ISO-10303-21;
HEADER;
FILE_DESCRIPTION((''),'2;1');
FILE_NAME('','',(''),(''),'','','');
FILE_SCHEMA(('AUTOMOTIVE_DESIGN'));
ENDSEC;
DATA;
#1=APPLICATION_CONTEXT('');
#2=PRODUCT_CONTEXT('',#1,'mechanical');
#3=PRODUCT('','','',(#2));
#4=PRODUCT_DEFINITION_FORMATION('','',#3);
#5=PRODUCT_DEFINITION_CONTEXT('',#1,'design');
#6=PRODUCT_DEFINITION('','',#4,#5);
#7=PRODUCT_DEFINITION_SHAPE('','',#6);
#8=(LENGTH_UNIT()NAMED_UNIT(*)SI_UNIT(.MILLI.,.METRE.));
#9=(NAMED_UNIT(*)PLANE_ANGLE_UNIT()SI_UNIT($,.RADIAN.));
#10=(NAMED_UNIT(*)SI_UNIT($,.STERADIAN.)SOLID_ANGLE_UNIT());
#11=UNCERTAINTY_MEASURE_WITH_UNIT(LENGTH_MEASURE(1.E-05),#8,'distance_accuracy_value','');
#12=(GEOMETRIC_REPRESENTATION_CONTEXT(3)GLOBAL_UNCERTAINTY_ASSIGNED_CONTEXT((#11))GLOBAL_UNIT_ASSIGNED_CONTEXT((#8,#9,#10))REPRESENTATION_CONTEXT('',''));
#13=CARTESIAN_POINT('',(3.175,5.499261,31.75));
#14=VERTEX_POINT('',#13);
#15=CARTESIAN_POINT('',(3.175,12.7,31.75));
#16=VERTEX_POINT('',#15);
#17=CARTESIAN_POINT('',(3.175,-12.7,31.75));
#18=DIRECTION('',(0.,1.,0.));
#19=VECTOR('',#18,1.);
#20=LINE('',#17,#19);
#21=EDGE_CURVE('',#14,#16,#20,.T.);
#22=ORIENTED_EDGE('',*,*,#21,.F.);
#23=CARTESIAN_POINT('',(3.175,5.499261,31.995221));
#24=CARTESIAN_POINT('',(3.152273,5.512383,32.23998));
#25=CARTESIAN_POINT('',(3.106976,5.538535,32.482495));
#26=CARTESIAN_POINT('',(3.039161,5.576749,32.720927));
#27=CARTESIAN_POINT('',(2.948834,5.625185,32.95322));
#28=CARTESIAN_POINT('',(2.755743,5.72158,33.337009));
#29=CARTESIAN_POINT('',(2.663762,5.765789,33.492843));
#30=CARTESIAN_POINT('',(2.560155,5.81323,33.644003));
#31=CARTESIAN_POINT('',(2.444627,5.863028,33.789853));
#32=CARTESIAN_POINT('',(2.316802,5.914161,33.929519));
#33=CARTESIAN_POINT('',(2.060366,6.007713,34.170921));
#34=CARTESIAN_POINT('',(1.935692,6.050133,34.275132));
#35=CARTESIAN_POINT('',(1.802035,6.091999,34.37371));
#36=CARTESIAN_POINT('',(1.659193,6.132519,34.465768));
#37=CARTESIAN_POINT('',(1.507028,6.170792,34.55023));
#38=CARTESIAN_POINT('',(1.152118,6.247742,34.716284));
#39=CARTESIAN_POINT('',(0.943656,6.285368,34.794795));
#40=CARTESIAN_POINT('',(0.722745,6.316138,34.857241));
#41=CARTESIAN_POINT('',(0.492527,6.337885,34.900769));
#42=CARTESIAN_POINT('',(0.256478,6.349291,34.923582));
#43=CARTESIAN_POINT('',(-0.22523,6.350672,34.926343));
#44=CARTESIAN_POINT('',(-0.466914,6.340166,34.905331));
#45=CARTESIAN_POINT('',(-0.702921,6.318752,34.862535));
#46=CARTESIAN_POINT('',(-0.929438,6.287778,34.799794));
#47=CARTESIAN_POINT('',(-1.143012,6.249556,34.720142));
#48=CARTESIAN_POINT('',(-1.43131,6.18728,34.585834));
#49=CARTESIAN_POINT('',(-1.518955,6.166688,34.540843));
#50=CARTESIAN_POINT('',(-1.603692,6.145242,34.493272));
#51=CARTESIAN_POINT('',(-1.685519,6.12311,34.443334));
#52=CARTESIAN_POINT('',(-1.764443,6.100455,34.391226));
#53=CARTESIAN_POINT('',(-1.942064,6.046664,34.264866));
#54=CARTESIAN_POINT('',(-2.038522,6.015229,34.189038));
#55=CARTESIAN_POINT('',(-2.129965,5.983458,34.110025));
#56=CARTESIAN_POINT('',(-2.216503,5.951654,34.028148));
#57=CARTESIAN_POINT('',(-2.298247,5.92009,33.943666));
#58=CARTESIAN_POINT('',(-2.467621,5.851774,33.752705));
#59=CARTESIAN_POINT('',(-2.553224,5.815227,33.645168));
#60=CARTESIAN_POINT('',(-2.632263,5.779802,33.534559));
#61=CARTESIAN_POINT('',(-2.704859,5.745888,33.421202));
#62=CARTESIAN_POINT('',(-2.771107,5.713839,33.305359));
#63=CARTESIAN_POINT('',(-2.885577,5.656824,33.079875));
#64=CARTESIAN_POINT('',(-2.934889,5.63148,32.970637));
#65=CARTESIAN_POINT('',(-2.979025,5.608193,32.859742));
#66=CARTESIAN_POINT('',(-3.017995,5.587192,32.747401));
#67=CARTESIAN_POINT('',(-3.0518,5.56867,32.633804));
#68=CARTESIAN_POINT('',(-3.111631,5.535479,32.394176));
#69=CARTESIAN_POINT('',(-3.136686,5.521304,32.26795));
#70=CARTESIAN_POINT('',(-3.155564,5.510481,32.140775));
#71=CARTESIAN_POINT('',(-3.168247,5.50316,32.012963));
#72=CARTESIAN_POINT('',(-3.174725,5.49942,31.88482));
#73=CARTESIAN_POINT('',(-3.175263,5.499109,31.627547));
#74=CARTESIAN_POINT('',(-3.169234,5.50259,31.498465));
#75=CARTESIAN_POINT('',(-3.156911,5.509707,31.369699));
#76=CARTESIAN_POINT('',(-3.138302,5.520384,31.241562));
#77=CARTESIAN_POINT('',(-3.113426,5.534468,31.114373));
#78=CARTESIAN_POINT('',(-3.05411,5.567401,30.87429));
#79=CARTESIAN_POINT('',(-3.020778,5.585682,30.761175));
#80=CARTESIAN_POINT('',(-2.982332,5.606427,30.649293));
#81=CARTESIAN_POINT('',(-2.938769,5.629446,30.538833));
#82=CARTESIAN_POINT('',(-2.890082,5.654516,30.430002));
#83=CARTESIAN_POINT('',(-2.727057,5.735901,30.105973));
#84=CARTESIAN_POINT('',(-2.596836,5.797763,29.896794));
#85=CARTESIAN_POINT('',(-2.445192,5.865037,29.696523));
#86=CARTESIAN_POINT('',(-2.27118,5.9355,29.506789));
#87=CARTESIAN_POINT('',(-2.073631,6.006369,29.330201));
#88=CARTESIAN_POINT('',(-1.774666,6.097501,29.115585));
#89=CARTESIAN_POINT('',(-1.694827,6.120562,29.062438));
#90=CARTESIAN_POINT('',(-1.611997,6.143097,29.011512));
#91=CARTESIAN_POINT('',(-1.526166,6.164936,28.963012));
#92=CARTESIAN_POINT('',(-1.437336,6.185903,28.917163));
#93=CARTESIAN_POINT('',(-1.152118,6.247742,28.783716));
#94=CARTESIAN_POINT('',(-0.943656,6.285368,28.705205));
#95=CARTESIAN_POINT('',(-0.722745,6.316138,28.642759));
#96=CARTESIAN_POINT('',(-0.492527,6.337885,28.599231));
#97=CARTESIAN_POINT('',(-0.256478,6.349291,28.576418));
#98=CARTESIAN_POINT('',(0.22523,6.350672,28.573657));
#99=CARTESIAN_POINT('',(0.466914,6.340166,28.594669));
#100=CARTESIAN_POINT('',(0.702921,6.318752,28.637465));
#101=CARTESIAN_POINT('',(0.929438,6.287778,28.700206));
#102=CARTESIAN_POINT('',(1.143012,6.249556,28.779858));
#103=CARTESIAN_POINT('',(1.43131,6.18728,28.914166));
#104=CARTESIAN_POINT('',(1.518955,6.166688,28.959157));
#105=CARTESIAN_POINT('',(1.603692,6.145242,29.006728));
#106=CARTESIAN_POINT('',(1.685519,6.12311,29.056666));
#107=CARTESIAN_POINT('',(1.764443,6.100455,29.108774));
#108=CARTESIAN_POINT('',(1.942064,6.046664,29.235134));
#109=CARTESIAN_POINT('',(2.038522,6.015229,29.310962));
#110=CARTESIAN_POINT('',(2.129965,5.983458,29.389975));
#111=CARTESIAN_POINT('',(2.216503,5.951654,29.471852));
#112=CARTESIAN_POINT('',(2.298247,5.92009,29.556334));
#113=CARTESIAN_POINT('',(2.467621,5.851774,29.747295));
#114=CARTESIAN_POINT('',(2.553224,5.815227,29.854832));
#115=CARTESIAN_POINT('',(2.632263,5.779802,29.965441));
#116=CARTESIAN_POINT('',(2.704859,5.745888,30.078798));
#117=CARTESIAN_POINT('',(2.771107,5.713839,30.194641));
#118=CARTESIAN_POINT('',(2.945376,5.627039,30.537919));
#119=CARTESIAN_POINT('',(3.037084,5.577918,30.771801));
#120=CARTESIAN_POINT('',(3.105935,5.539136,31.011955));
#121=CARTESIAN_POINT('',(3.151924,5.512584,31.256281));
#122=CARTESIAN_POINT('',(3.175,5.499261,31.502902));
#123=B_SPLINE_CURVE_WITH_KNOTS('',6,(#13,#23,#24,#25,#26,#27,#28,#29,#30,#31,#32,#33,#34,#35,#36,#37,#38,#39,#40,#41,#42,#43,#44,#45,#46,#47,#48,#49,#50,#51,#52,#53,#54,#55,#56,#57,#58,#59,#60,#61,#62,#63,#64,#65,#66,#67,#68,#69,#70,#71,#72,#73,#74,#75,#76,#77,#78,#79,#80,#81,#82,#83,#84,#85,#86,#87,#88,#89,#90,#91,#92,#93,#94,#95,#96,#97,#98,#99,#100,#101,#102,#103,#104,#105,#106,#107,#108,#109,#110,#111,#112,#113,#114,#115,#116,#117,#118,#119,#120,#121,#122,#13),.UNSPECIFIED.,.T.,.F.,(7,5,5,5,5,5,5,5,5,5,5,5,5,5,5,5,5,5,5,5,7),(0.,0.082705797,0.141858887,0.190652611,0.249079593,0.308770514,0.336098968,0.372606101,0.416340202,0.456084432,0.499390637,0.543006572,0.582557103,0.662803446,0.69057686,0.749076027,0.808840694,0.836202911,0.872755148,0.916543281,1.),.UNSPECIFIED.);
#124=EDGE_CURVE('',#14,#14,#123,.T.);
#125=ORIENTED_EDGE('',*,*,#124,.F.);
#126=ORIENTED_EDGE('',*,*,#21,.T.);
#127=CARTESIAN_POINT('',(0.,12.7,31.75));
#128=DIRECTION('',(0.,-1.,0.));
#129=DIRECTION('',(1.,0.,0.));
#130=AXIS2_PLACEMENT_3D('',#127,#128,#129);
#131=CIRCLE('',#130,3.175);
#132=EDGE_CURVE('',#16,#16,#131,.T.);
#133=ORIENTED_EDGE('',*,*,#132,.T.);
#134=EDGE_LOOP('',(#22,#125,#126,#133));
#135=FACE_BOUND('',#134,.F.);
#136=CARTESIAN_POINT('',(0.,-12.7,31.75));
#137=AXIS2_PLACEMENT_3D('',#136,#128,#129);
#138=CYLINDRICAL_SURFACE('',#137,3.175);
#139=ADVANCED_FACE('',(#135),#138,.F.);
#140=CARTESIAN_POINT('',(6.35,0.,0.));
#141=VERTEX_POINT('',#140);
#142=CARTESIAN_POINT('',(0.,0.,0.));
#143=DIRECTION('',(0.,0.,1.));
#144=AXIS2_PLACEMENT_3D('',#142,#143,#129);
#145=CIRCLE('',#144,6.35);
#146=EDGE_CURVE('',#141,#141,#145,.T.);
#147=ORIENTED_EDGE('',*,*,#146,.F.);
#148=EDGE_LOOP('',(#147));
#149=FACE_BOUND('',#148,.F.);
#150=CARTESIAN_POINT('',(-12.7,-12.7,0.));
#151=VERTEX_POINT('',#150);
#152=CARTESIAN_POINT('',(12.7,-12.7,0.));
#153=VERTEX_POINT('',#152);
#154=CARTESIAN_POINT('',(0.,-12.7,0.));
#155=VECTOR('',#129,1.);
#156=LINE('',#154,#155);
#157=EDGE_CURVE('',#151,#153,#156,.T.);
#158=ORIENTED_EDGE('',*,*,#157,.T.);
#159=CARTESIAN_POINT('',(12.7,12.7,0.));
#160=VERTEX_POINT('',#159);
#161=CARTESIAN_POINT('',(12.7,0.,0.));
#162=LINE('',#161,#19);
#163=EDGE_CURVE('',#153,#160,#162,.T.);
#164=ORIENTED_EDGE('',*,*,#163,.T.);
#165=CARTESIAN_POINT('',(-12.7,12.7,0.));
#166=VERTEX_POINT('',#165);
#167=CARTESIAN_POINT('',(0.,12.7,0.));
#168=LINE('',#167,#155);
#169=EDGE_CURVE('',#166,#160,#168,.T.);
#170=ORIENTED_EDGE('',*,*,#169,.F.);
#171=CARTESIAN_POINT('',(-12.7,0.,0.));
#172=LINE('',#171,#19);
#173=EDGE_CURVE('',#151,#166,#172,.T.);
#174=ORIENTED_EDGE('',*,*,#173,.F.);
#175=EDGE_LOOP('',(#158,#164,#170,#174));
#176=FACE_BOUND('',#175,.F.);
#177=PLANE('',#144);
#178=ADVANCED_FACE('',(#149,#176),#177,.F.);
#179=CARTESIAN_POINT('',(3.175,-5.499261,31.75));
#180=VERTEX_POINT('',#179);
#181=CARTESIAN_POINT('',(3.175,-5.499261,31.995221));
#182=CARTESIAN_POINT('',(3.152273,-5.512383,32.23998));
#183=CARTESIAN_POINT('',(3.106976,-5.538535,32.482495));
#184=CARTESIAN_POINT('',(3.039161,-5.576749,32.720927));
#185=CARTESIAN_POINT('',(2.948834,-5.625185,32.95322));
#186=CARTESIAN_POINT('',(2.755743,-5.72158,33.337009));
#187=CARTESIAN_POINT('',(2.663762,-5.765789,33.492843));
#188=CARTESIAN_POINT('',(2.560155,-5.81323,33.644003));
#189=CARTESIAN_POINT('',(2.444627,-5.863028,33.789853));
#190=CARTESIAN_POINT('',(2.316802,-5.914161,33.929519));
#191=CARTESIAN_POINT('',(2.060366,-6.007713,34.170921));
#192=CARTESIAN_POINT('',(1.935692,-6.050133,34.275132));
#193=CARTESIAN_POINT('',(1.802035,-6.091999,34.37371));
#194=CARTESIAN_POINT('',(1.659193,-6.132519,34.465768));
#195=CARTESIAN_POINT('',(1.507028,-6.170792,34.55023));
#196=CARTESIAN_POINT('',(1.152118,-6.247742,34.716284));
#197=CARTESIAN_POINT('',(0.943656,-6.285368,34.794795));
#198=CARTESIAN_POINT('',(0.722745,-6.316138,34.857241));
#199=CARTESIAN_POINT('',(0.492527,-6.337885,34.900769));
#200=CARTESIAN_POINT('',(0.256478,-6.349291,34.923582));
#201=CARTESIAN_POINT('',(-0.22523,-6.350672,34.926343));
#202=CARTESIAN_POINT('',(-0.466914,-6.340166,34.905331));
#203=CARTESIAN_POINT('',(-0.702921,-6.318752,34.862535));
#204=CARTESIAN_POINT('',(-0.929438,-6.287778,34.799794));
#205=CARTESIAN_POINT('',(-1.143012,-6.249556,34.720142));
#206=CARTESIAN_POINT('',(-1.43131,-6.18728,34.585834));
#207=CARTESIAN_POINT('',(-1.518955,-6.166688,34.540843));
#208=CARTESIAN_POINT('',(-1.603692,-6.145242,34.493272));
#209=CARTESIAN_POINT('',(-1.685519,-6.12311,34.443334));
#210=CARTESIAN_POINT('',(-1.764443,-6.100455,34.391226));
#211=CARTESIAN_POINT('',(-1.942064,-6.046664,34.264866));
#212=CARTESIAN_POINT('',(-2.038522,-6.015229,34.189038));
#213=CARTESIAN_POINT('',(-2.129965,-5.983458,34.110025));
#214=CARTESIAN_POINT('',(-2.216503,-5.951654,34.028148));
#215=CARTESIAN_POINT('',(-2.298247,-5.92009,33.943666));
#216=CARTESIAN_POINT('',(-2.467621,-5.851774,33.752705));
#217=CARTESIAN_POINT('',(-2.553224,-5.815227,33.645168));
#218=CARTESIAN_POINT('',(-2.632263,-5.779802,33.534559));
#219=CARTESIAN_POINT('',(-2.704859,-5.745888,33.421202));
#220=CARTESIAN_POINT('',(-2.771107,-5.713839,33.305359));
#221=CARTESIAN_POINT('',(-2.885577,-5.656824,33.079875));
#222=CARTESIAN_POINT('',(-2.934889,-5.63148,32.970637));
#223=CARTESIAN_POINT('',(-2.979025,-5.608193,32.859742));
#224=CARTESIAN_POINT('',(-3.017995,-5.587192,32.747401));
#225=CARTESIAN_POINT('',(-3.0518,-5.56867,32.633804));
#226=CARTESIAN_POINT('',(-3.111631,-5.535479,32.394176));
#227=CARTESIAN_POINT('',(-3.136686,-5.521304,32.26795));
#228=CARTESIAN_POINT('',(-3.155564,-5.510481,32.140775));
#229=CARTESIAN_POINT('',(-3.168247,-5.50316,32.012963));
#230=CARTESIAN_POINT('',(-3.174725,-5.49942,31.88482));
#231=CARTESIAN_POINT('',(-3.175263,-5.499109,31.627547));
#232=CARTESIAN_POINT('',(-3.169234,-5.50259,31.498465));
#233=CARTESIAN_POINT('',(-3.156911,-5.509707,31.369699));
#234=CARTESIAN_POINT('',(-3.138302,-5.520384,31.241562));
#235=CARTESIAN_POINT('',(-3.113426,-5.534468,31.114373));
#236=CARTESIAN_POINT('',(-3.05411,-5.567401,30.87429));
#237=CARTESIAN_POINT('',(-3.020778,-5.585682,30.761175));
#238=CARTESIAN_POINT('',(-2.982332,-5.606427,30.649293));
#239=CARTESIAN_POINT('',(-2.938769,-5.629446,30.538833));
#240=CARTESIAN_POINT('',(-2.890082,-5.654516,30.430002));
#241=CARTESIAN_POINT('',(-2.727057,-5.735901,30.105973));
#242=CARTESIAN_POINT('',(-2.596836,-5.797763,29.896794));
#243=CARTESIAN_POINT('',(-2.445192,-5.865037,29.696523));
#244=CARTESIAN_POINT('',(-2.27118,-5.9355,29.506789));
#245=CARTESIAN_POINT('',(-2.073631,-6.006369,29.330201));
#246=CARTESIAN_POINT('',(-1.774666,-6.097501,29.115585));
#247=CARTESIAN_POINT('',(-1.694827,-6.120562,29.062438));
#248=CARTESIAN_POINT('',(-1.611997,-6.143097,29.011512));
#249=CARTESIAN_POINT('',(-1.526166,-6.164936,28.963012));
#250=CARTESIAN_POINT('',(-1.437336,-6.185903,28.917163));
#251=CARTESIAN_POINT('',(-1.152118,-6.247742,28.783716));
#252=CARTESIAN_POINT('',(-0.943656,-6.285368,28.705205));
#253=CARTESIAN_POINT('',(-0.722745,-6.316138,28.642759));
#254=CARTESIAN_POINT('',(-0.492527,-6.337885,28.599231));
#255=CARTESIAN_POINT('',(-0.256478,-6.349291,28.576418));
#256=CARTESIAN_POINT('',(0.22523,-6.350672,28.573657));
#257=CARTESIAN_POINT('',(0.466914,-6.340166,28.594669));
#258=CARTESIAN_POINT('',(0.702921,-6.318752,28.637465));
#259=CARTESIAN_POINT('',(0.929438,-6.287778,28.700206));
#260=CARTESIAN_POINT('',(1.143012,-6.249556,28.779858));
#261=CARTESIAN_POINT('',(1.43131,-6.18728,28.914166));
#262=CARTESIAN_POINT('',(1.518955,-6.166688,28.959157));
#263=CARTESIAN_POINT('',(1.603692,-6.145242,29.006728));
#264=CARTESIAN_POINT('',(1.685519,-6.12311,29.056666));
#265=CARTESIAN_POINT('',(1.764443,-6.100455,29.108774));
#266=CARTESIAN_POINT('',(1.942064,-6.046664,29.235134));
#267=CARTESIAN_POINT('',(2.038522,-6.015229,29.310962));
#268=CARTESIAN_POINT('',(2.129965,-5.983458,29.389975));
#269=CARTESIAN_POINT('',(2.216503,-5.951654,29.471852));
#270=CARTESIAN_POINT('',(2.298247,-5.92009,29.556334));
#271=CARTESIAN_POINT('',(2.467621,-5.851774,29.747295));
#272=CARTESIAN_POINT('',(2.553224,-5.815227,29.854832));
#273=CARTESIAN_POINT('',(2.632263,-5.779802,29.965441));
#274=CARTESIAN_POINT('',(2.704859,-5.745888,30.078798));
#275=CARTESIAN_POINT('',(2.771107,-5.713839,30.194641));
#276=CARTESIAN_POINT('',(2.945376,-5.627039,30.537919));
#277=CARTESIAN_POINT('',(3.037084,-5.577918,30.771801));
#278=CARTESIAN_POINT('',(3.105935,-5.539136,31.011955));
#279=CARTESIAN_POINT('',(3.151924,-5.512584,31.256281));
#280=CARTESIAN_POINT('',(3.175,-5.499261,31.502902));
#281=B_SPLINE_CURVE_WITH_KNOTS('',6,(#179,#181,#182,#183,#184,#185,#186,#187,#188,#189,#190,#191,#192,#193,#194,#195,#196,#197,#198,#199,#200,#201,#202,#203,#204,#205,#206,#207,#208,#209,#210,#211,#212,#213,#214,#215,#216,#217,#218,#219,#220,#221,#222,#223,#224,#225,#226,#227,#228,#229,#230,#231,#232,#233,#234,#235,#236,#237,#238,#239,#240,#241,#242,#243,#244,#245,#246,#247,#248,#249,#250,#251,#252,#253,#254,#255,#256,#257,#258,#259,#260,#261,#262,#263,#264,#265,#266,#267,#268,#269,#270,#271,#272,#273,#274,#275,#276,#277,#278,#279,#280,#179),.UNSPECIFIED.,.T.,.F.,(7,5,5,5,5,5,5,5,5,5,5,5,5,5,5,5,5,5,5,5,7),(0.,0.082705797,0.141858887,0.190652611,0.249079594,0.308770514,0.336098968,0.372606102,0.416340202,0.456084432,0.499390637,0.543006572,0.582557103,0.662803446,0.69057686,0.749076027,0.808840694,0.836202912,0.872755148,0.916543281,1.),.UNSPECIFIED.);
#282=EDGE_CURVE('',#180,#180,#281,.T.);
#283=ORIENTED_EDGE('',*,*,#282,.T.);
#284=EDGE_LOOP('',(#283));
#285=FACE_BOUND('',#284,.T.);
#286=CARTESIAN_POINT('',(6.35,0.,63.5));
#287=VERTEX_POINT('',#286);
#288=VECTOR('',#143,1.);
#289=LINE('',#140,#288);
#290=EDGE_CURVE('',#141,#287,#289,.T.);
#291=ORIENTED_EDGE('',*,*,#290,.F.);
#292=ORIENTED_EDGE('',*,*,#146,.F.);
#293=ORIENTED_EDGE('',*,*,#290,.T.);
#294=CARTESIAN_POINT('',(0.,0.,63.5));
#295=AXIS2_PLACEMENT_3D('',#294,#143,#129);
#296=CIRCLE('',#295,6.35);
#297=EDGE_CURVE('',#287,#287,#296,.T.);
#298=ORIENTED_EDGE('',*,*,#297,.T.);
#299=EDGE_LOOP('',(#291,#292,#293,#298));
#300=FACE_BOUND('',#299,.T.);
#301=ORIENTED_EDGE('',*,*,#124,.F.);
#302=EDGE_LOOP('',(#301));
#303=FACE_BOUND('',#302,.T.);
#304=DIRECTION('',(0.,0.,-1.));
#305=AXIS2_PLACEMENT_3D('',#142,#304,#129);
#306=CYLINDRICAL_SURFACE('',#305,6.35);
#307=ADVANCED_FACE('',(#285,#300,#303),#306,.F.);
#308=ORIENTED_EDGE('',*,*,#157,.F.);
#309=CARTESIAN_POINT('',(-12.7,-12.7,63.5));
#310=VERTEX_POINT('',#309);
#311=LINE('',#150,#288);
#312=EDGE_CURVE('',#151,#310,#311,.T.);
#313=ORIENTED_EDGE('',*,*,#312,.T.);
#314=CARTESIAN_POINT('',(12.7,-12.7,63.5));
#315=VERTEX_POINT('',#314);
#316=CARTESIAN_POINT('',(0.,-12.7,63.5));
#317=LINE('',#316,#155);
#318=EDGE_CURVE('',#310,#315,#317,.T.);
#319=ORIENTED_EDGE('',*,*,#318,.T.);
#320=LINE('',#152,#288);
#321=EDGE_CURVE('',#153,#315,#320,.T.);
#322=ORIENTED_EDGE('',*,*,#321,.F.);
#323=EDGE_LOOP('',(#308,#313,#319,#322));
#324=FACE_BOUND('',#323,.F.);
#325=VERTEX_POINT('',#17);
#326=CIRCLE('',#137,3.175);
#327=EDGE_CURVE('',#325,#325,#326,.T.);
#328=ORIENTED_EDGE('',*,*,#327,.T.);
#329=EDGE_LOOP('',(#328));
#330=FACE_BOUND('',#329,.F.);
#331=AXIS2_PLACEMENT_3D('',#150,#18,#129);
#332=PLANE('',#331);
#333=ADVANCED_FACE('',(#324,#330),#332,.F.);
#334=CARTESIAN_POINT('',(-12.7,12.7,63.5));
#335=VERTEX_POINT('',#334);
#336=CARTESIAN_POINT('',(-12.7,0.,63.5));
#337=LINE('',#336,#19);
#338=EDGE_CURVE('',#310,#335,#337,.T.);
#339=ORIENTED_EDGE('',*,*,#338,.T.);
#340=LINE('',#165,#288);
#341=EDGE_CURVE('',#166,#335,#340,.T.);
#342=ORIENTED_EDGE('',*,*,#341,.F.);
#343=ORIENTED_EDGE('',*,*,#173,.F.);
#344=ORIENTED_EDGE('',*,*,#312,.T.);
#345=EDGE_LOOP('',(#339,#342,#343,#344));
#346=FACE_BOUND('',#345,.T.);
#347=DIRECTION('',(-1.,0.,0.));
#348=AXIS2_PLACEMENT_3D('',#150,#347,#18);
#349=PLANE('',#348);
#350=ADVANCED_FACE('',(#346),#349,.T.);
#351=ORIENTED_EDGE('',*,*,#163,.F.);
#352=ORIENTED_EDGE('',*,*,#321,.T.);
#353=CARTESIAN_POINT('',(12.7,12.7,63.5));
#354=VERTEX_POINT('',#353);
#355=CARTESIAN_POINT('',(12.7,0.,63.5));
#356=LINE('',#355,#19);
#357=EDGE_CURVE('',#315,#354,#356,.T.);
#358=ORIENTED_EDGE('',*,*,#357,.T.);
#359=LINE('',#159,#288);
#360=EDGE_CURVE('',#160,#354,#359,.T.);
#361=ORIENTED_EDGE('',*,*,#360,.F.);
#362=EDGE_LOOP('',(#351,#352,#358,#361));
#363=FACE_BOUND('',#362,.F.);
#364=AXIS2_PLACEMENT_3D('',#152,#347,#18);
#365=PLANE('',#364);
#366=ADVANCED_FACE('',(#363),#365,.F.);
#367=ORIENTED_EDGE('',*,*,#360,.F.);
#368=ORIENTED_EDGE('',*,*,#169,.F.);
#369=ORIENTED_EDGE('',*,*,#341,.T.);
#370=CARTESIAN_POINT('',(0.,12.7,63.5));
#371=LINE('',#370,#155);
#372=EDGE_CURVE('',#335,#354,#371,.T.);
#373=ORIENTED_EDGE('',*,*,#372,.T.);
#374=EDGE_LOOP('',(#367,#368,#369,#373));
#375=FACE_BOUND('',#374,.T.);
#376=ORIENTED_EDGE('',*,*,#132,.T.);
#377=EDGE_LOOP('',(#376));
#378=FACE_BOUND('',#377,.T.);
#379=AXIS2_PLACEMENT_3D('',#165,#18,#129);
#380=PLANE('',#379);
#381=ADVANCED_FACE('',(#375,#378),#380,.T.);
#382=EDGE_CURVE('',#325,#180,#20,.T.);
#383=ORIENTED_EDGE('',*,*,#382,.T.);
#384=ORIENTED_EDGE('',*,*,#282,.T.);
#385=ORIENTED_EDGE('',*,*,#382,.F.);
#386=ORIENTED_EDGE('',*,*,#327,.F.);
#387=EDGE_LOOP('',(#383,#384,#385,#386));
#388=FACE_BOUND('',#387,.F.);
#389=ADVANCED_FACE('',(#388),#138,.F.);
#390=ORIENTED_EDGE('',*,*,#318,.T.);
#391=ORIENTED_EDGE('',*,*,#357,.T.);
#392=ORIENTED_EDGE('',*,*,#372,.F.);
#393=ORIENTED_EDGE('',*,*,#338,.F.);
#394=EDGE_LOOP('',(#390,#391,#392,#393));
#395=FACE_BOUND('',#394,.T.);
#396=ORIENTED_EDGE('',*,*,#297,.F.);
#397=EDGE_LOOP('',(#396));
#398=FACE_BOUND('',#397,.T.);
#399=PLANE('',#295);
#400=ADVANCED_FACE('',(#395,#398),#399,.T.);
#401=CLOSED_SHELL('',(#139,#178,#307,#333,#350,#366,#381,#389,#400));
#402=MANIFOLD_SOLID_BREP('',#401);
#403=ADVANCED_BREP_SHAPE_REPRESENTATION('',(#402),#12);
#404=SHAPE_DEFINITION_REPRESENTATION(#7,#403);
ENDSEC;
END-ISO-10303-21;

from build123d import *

# Parameters (mm, degrees)
F0_W     = 25.4
F0_H     = 25.4
F0_R     = 6.35
F1_DEPTH = 63.5
F2_R     = 3.175
F3_DEPTH = 25.401


with BuildPart() as f1:
    # F0 (on Top) → F1 (new body)
    with BuildSketch(Plane.XY):
        Rectangle(F0_W, F0_H)
        Circle(F0_R, mode=Mode.SUBTRACT)
    extrude(amount=F1_DEPTH)

    # F2 (on face) → F3 (cut, through all)
    with BuildSketch(Plane.XZ.offset(12.7)):
        with Locations((0, 31.75)):
            Circle(F2_R)
    extrude(amount=-F3_DEPTH, mode=Mode.SUBTRACT)


solid = f1.part
